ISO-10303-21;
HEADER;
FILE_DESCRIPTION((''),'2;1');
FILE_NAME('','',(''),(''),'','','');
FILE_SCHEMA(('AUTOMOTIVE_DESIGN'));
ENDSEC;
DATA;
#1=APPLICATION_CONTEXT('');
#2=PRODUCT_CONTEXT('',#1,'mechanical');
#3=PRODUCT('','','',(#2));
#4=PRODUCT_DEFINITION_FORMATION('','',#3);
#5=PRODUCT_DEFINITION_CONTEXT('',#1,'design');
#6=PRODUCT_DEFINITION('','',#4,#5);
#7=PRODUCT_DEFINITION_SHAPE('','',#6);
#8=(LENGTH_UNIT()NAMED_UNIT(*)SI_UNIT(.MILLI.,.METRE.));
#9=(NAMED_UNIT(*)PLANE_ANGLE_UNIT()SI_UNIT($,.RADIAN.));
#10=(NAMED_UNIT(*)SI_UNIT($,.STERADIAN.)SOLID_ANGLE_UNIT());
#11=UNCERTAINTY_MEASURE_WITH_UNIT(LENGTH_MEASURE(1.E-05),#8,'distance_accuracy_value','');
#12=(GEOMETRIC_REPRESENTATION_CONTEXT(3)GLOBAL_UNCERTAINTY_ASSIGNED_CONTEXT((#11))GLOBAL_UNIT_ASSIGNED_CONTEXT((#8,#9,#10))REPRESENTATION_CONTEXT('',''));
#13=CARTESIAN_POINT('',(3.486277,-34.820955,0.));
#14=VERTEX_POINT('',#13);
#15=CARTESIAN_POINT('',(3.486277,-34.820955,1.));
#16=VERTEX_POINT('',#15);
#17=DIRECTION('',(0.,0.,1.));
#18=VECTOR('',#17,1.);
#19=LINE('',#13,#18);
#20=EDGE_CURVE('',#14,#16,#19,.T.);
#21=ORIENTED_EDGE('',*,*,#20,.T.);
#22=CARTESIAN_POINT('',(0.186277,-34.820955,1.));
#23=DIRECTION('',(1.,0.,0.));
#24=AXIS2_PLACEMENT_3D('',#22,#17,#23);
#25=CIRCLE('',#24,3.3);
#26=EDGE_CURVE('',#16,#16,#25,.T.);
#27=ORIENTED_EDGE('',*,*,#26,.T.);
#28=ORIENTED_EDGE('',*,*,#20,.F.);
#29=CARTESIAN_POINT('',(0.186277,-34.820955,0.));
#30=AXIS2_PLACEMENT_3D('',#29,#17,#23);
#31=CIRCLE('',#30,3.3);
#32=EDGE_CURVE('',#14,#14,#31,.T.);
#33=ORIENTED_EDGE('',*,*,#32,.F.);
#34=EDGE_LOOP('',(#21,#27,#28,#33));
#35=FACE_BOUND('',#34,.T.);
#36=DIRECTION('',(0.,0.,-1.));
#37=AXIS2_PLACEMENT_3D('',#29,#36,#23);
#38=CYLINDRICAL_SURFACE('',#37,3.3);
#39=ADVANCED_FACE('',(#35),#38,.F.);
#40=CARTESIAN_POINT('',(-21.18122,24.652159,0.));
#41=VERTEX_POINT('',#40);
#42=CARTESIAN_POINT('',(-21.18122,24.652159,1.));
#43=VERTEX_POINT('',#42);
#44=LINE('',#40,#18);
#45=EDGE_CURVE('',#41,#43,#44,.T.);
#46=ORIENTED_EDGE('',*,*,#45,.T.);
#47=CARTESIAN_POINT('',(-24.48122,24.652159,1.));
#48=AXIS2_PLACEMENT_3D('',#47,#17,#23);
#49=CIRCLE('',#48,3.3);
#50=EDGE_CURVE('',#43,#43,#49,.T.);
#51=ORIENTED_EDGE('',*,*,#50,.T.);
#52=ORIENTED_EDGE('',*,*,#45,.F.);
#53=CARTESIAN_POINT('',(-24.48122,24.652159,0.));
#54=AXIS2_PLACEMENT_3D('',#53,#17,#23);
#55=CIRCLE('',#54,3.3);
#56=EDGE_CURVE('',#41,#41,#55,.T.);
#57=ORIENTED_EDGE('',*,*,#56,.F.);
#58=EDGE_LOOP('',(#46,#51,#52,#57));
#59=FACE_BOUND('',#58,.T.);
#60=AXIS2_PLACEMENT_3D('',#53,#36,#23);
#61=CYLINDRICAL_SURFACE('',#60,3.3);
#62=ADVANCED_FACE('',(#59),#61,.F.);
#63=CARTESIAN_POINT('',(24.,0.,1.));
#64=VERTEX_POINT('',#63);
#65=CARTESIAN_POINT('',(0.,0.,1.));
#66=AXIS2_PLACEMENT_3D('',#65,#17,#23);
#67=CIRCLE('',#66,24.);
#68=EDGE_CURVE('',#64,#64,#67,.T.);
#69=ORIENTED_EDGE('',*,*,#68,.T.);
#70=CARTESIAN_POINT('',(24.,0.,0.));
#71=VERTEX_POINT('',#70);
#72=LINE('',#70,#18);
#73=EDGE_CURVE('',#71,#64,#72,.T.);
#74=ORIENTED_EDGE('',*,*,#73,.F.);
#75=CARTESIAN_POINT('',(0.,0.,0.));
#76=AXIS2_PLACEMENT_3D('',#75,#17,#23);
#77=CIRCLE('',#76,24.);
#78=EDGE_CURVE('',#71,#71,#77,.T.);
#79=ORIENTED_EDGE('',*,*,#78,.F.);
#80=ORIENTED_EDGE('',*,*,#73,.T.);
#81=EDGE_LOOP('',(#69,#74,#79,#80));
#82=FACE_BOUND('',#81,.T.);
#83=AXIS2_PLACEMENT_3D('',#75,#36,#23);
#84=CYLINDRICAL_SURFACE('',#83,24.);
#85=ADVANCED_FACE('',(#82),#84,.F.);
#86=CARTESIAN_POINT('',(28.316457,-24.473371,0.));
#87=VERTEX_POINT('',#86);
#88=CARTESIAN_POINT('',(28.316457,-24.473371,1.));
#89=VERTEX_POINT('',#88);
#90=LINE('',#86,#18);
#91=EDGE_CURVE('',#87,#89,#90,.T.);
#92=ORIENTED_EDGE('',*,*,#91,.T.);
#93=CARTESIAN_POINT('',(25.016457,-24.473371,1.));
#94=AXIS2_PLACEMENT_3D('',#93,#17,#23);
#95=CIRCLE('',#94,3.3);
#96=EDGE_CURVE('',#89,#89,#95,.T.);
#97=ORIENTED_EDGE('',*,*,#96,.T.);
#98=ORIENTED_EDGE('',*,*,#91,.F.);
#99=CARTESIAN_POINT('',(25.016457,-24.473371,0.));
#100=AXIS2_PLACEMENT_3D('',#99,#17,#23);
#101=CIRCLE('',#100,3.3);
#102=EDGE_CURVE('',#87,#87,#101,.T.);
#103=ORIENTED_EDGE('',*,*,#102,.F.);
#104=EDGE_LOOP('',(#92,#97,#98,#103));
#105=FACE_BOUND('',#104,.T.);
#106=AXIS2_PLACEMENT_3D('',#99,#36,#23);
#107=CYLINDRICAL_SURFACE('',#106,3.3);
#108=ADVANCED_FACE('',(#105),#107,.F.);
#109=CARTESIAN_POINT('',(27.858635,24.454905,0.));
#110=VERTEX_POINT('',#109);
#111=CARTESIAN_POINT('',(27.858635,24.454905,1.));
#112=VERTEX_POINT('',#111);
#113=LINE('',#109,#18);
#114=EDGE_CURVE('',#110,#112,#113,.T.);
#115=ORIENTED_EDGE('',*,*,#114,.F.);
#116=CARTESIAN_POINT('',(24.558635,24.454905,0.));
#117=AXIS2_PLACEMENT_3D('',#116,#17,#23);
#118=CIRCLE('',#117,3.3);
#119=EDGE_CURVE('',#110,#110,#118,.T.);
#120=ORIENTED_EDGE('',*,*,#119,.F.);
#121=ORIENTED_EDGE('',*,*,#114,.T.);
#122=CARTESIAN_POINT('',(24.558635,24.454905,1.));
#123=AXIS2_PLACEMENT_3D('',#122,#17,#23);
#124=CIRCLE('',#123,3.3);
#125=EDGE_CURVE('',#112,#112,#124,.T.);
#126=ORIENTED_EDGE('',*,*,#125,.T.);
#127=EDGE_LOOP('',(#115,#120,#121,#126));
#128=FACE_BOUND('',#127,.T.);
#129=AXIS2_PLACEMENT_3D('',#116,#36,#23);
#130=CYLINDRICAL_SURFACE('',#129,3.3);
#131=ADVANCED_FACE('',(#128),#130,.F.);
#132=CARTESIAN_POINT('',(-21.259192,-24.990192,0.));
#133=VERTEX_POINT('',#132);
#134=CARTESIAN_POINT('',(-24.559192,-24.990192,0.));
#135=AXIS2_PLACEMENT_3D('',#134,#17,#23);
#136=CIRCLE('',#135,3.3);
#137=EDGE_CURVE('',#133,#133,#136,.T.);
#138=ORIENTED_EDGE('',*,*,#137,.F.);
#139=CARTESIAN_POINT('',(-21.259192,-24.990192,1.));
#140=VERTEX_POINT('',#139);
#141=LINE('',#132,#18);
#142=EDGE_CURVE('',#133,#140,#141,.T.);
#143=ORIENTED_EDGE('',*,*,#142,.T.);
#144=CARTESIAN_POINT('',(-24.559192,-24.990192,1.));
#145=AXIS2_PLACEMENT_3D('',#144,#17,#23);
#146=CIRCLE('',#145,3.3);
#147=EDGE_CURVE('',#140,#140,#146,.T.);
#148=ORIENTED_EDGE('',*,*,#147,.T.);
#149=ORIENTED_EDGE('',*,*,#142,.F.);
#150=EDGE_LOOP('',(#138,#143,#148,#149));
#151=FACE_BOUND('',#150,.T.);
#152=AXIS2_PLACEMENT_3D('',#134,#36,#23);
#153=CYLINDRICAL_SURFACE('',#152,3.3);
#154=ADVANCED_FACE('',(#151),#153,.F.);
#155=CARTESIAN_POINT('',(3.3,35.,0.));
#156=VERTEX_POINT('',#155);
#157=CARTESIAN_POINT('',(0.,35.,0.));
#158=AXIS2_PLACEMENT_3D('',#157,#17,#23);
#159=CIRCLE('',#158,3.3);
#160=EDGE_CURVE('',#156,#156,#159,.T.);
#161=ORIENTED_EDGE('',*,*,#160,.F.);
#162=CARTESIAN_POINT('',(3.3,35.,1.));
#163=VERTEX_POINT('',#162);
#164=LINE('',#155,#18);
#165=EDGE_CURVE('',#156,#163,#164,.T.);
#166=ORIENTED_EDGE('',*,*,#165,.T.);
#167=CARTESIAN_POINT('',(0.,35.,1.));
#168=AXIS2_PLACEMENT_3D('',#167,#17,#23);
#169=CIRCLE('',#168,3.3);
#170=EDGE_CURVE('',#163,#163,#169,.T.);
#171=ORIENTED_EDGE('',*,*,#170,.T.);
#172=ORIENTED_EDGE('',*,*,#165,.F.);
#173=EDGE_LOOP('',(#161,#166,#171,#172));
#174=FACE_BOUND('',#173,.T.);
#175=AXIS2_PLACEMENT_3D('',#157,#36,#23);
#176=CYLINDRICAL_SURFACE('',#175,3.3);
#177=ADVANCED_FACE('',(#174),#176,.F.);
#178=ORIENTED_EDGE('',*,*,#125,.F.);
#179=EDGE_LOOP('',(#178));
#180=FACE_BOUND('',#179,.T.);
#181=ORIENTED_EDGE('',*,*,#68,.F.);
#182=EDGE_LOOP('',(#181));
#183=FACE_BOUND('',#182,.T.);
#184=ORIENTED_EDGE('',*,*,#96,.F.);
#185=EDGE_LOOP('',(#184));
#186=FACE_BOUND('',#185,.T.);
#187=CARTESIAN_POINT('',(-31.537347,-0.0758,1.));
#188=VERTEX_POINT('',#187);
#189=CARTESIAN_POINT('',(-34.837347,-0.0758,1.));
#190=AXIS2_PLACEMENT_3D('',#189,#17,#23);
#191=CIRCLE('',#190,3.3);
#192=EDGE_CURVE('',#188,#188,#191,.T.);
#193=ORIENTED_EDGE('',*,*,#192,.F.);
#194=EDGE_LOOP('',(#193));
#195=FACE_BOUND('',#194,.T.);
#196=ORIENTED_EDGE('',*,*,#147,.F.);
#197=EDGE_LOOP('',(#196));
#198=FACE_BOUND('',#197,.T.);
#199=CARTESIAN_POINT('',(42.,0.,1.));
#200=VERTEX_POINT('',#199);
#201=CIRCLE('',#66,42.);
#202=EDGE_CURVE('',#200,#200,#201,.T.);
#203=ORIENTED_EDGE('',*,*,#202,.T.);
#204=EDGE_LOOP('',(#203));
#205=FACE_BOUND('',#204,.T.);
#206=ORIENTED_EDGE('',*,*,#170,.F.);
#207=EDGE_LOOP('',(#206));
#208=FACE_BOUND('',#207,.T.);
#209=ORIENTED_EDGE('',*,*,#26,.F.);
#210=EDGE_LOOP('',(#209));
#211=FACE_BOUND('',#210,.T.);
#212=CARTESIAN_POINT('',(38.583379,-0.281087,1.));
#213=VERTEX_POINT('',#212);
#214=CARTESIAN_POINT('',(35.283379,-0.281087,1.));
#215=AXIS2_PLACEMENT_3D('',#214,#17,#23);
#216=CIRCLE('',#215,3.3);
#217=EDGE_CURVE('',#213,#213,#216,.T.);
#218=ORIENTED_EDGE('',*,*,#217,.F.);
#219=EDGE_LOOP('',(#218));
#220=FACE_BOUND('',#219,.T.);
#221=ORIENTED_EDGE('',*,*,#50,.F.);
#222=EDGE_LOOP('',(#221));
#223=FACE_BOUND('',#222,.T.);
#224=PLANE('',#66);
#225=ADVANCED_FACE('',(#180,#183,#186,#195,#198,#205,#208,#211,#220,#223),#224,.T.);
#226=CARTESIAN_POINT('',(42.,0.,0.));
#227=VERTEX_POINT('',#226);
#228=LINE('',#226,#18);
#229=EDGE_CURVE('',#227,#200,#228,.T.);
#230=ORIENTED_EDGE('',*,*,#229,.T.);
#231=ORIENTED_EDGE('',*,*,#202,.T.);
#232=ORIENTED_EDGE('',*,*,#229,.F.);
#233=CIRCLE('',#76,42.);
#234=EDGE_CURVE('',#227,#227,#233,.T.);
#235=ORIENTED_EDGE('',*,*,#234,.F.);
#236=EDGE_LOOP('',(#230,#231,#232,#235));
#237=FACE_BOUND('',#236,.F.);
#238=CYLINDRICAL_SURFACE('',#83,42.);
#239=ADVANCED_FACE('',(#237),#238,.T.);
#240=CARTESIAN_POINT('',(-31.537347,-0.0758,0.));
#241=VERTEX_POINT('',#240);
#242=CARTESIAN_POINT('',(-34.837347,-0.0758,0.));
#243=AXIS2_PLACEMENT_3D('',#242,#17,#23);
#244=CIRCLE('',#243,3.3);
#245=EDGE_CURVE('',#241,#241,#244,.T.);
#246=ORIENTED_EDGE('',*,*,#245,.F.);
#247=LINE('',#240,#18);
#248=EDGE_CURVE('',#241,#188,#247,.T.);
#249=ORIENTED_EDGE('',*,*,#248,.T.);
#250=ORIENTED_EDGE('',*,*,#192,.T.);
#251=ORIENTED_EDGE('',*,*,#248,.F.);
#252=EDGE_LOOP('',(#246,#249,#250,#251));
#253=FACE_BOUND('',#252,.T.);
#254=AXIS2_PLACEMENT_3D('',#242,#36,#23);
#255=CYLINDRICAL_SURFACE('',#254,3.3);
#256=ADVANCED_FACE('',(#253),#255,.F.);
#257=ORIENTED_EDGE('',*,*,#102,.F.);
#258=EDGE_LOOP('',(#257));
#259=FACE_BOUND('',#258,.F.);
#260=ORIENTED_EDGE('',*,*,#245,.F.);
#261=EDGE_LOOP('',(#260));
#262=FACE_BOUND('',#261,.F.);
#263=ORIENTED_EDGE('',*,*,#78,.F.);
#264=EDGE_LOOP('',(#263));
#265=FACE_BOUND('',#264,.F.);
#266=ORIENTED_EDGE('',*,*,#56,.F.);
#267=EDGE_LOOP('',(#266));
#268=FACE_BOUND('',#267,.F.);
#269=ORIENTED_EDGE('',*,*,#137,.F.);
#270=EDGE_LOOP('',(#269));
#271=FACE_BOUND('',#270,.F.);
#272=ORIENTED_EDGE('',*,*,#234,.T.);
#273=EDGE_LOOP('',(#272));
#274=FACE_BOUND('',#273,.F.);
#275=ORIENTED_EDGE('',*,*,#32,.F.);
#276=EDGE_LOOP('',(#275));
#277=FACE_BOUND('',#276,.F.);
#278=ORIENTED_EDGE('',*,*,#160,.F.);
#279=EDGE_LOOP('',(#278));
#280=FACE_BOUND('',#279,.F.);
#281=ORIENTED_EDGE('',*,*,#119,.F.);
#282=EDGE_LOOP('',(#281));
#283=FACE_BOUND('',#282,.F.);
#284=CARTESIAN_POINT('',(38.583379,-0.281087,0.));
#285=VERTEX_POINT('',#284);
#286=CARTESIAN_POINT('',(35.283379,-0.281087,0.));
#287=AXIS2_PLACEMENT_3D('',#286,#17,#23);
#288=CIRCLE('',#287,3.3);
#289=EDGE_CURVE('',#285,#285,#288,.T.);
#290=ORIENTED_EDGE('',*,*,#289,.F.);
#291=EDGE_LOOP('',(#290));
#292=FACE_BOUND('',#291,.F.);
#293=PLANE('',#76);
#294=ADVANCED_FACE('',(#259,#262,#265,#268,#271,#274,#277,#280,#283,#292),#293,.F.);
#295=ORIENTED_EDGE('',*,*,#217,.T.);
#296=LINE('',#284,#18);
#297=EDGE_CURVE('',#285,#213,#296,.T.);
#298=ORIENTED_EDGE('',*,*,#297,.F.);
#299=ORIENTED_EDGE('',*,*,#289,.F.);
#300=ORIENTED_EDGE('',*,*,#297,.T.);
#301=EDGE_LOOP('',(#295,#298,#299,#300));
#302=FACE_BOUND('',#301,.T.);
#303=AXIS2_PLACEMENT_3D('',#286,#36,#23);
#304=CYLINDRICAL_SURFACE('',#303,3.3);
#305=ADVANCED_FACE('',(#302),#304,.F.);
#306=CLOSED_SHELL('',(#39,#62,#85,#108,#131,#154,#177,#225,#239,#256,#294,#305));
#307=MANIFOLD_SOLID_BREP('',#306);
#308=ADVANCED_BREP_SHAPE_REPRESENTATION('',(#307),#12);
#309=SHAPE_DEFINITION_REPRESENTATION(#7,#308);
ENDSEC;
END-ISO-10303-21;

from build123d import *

# Parameters (mm, degrees)
F0_R     = 42
F0_R_2   = 3.3
F0_R_3   = 24
F1_DEPTH = 1


with BuildPart() as f1:
    # F0 (on Top) → F1 (new body)
    with BuildSketch(Plane.XY):
        Circle(F0_R)
        with Locations((-24.559192, -24.990192)):
            Circle(F0_R_2, mode=Mode.SUBTRACT)
        with Locations((-34.837347, -0.0758)):
            Circle(F0_R_2, mode=Mode.SUBTRACT)
        with Locations((0.186277, -34.820955)):
            Circle(F0_R_2, mode=Mode.SUBTRACT)
        with Locations((25.016457, -24.473371)):
            Circle(F0_R_2, mode=Mode.SUBTRACT)
        with Locations((35.283379, -0.281087)):
            Circle(F0_R_2, mode=Mode.SUBTRACT)
        with Locations((-24.48122, 24.652159)):
            Circle(F0_R_2, mode=Mode.SUBTRACT)
        Circle(F0_R_3, mode=Mode.SUBTRACT)
        with Locations((0, 35)):
            Circle(F0_R_2, mode=Mode.SUBTRACT)
        with Locations((24.558635, 24.454905)):
            Circle(F0_R_2, mode=Mode.SUBTRACT)
    extrude(amount=F1_DEPTH)


solid = f1.part
